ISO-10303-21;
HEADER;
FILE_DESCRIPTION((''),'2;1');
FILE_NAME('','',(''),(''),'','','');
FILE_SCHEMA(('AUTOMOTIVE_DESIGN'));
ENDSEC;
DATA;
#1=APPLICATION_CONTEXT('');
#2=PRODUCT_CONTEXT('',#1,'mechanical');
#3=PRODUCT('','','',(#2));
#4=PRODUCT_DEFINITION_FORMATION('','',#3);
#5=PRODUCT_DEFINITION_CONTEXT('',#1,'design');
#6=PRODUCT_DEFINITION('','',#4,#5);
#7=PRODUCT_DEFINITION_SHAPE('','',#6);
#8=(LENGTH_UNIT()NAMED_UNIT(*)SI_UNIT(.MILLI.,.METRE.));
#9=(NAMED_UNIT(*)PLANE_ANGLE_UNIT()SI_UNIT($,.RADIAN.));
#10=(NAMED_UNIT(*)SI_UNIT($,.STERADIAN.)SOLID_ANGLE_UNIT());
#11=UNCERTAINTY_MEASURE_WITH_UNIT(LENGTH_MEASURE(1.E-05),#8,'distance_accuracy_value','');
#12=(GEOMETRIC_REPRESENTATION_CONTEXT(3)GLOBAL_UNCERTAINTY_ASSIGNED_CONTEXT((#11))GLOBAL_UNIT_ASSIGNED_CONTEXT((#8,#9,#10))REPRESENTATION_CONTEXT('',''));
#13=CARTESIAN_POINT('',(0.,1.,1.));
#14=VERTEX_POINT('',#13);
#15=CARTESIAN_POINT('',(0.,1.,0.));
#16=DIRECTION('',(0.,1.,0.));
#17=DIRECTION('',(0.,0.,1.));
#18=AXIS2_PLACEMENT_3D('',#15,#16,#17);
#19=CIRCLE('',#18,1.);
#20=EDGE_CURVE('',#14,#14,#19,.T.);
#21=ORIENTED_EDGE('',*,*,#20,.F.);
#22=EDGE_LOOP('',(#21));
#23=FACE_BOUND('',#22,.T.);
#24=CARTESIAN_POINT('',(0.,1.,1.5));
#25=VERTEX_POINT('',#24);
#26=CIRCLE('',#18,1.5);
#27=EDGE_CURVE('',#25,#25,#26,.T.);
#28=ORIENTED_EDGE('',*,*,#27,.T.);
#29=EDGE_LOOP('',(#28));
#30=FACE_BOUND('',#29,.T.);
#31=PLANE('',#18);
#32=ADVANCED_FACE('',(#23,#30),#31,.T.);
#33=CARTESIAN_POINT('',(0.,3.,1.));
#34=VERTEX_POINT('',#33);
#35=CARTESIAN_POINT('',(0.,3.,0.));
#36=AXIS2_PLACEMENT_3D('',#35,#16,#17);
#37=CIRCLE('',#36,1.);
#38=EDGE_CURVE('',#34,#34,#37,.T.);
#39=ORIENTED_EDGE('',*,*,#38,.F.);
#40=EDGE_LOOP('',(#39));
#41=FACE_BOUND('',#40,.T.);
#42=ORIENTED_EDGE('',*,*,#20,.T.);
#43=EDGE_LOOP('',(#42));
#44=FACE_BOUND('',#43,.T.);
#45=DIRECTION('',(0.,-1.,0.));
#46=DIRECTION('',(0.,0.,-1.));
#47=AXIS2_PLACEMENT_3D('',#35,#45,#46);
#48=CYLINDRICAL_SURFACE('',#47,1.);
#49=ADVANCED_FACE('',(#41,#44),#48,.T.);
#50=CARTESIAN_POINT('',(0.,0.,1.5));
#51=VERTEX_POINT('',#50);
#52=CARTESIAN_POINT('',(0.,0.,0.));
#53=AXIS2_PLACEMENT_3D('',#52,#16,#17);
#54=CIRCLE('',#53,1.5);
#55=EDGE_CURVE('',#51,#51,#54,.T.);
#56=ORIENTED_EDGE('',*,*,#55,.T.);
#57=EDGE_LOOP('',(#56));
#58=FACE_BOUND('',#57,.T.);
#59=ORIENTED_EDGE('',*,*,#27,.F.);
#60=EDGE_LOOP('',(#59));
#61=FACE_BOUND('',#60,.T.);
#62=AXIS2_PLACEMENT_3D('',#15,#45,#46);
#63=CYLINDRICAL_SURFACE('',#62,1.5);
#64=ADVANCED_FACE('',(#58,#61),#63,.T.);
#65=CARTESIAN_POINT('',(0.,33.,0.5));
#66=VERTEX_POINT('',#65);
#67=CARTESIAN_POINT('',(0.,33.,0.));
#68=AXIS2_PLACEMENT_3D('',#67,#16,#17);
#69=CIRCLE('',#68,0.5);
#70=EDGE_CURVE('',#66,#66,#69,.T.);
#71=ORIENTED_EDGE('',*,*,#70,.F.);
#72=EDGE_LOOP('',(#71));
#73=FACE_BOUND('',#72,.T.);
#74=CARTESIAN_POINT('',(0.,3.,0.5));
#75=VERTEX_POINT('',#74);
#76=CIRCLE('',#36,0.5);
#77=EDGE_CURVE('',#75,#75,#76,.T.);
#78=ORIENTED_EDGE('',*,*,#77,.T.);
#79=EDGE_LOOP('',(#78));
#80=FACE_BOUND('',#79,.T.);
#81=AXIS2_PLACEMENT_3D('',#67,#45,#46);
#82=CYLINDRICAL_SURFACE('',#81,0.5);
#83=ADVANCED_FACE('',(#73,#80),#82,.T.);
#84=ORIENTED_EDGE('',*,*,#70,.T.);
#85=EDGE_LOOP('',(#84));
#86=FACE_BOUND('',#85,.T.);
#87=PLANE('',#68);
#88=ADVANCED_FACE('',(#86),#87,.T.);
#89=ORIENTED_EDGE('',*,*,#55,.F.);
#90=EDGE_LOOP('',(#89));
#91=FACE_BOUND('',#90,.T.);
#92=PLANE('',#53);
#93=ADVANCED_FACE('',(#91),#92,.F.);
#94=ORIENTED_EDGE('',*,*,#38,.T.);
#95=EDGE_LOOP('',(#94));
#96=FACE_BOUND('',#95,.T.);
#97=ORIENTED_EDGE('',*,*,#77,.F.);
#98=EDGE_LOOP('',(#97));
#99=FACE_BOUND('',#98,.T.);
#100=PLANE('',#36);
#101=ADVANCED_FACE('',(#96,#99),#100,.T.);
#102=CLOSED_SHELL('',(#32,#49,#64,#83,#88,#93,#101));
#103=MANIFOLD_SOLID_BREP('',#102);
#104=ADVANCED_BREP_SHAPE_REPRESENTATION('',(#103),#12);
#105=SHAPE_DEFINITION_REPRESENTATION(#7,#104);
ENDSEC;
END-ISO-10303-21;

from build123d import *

# Parameters (mm, degrees)
SKETCH1_R           = 1.5
BOSS_EXTRUDE1_DEPTH = 1
SKETCH2_R           = 1
BOSS_EXTRUDE3_DEPTH = 2
SKETCH3_R           = 0.5
BOSS_EXTRUDE4_DEPTH = 30


with BuildPart() as part:
    # Sketch1 → Boss-Extrude1 (new body)
    with BuildSketch(Plane(origin=(0, 0, 0), x_dir=(1, 0, 0), z_dir=(0, 1, 0))):
        Circle(SKETCH1_R)
    extrude(amount=BOSS_EXTRUDE1_DEPTH)

    # Sketch2 → Boss-Extrude3 (add)
    with BuildSketch(Plane(origin=(0, 1, 0), x_dir=(1, 0, 0), z_dir=(0, 1, 0))):
        Circle(SKETCH2_R)
    extrude(amount=BOSS_EXTRUDE3_DEPTH)

    # Sketch3 → Boss-Extrude4 (add)
    with BuildSketch(Plane(origin=(0, 3, 0), x_dir=(1, 0, 0), z_dir=(0, 1, 0))):
        Circle(SKETCH3_R)
    extrude(amount=BOSS_EXTRUDE4_DEPTH)


solid = part.part
